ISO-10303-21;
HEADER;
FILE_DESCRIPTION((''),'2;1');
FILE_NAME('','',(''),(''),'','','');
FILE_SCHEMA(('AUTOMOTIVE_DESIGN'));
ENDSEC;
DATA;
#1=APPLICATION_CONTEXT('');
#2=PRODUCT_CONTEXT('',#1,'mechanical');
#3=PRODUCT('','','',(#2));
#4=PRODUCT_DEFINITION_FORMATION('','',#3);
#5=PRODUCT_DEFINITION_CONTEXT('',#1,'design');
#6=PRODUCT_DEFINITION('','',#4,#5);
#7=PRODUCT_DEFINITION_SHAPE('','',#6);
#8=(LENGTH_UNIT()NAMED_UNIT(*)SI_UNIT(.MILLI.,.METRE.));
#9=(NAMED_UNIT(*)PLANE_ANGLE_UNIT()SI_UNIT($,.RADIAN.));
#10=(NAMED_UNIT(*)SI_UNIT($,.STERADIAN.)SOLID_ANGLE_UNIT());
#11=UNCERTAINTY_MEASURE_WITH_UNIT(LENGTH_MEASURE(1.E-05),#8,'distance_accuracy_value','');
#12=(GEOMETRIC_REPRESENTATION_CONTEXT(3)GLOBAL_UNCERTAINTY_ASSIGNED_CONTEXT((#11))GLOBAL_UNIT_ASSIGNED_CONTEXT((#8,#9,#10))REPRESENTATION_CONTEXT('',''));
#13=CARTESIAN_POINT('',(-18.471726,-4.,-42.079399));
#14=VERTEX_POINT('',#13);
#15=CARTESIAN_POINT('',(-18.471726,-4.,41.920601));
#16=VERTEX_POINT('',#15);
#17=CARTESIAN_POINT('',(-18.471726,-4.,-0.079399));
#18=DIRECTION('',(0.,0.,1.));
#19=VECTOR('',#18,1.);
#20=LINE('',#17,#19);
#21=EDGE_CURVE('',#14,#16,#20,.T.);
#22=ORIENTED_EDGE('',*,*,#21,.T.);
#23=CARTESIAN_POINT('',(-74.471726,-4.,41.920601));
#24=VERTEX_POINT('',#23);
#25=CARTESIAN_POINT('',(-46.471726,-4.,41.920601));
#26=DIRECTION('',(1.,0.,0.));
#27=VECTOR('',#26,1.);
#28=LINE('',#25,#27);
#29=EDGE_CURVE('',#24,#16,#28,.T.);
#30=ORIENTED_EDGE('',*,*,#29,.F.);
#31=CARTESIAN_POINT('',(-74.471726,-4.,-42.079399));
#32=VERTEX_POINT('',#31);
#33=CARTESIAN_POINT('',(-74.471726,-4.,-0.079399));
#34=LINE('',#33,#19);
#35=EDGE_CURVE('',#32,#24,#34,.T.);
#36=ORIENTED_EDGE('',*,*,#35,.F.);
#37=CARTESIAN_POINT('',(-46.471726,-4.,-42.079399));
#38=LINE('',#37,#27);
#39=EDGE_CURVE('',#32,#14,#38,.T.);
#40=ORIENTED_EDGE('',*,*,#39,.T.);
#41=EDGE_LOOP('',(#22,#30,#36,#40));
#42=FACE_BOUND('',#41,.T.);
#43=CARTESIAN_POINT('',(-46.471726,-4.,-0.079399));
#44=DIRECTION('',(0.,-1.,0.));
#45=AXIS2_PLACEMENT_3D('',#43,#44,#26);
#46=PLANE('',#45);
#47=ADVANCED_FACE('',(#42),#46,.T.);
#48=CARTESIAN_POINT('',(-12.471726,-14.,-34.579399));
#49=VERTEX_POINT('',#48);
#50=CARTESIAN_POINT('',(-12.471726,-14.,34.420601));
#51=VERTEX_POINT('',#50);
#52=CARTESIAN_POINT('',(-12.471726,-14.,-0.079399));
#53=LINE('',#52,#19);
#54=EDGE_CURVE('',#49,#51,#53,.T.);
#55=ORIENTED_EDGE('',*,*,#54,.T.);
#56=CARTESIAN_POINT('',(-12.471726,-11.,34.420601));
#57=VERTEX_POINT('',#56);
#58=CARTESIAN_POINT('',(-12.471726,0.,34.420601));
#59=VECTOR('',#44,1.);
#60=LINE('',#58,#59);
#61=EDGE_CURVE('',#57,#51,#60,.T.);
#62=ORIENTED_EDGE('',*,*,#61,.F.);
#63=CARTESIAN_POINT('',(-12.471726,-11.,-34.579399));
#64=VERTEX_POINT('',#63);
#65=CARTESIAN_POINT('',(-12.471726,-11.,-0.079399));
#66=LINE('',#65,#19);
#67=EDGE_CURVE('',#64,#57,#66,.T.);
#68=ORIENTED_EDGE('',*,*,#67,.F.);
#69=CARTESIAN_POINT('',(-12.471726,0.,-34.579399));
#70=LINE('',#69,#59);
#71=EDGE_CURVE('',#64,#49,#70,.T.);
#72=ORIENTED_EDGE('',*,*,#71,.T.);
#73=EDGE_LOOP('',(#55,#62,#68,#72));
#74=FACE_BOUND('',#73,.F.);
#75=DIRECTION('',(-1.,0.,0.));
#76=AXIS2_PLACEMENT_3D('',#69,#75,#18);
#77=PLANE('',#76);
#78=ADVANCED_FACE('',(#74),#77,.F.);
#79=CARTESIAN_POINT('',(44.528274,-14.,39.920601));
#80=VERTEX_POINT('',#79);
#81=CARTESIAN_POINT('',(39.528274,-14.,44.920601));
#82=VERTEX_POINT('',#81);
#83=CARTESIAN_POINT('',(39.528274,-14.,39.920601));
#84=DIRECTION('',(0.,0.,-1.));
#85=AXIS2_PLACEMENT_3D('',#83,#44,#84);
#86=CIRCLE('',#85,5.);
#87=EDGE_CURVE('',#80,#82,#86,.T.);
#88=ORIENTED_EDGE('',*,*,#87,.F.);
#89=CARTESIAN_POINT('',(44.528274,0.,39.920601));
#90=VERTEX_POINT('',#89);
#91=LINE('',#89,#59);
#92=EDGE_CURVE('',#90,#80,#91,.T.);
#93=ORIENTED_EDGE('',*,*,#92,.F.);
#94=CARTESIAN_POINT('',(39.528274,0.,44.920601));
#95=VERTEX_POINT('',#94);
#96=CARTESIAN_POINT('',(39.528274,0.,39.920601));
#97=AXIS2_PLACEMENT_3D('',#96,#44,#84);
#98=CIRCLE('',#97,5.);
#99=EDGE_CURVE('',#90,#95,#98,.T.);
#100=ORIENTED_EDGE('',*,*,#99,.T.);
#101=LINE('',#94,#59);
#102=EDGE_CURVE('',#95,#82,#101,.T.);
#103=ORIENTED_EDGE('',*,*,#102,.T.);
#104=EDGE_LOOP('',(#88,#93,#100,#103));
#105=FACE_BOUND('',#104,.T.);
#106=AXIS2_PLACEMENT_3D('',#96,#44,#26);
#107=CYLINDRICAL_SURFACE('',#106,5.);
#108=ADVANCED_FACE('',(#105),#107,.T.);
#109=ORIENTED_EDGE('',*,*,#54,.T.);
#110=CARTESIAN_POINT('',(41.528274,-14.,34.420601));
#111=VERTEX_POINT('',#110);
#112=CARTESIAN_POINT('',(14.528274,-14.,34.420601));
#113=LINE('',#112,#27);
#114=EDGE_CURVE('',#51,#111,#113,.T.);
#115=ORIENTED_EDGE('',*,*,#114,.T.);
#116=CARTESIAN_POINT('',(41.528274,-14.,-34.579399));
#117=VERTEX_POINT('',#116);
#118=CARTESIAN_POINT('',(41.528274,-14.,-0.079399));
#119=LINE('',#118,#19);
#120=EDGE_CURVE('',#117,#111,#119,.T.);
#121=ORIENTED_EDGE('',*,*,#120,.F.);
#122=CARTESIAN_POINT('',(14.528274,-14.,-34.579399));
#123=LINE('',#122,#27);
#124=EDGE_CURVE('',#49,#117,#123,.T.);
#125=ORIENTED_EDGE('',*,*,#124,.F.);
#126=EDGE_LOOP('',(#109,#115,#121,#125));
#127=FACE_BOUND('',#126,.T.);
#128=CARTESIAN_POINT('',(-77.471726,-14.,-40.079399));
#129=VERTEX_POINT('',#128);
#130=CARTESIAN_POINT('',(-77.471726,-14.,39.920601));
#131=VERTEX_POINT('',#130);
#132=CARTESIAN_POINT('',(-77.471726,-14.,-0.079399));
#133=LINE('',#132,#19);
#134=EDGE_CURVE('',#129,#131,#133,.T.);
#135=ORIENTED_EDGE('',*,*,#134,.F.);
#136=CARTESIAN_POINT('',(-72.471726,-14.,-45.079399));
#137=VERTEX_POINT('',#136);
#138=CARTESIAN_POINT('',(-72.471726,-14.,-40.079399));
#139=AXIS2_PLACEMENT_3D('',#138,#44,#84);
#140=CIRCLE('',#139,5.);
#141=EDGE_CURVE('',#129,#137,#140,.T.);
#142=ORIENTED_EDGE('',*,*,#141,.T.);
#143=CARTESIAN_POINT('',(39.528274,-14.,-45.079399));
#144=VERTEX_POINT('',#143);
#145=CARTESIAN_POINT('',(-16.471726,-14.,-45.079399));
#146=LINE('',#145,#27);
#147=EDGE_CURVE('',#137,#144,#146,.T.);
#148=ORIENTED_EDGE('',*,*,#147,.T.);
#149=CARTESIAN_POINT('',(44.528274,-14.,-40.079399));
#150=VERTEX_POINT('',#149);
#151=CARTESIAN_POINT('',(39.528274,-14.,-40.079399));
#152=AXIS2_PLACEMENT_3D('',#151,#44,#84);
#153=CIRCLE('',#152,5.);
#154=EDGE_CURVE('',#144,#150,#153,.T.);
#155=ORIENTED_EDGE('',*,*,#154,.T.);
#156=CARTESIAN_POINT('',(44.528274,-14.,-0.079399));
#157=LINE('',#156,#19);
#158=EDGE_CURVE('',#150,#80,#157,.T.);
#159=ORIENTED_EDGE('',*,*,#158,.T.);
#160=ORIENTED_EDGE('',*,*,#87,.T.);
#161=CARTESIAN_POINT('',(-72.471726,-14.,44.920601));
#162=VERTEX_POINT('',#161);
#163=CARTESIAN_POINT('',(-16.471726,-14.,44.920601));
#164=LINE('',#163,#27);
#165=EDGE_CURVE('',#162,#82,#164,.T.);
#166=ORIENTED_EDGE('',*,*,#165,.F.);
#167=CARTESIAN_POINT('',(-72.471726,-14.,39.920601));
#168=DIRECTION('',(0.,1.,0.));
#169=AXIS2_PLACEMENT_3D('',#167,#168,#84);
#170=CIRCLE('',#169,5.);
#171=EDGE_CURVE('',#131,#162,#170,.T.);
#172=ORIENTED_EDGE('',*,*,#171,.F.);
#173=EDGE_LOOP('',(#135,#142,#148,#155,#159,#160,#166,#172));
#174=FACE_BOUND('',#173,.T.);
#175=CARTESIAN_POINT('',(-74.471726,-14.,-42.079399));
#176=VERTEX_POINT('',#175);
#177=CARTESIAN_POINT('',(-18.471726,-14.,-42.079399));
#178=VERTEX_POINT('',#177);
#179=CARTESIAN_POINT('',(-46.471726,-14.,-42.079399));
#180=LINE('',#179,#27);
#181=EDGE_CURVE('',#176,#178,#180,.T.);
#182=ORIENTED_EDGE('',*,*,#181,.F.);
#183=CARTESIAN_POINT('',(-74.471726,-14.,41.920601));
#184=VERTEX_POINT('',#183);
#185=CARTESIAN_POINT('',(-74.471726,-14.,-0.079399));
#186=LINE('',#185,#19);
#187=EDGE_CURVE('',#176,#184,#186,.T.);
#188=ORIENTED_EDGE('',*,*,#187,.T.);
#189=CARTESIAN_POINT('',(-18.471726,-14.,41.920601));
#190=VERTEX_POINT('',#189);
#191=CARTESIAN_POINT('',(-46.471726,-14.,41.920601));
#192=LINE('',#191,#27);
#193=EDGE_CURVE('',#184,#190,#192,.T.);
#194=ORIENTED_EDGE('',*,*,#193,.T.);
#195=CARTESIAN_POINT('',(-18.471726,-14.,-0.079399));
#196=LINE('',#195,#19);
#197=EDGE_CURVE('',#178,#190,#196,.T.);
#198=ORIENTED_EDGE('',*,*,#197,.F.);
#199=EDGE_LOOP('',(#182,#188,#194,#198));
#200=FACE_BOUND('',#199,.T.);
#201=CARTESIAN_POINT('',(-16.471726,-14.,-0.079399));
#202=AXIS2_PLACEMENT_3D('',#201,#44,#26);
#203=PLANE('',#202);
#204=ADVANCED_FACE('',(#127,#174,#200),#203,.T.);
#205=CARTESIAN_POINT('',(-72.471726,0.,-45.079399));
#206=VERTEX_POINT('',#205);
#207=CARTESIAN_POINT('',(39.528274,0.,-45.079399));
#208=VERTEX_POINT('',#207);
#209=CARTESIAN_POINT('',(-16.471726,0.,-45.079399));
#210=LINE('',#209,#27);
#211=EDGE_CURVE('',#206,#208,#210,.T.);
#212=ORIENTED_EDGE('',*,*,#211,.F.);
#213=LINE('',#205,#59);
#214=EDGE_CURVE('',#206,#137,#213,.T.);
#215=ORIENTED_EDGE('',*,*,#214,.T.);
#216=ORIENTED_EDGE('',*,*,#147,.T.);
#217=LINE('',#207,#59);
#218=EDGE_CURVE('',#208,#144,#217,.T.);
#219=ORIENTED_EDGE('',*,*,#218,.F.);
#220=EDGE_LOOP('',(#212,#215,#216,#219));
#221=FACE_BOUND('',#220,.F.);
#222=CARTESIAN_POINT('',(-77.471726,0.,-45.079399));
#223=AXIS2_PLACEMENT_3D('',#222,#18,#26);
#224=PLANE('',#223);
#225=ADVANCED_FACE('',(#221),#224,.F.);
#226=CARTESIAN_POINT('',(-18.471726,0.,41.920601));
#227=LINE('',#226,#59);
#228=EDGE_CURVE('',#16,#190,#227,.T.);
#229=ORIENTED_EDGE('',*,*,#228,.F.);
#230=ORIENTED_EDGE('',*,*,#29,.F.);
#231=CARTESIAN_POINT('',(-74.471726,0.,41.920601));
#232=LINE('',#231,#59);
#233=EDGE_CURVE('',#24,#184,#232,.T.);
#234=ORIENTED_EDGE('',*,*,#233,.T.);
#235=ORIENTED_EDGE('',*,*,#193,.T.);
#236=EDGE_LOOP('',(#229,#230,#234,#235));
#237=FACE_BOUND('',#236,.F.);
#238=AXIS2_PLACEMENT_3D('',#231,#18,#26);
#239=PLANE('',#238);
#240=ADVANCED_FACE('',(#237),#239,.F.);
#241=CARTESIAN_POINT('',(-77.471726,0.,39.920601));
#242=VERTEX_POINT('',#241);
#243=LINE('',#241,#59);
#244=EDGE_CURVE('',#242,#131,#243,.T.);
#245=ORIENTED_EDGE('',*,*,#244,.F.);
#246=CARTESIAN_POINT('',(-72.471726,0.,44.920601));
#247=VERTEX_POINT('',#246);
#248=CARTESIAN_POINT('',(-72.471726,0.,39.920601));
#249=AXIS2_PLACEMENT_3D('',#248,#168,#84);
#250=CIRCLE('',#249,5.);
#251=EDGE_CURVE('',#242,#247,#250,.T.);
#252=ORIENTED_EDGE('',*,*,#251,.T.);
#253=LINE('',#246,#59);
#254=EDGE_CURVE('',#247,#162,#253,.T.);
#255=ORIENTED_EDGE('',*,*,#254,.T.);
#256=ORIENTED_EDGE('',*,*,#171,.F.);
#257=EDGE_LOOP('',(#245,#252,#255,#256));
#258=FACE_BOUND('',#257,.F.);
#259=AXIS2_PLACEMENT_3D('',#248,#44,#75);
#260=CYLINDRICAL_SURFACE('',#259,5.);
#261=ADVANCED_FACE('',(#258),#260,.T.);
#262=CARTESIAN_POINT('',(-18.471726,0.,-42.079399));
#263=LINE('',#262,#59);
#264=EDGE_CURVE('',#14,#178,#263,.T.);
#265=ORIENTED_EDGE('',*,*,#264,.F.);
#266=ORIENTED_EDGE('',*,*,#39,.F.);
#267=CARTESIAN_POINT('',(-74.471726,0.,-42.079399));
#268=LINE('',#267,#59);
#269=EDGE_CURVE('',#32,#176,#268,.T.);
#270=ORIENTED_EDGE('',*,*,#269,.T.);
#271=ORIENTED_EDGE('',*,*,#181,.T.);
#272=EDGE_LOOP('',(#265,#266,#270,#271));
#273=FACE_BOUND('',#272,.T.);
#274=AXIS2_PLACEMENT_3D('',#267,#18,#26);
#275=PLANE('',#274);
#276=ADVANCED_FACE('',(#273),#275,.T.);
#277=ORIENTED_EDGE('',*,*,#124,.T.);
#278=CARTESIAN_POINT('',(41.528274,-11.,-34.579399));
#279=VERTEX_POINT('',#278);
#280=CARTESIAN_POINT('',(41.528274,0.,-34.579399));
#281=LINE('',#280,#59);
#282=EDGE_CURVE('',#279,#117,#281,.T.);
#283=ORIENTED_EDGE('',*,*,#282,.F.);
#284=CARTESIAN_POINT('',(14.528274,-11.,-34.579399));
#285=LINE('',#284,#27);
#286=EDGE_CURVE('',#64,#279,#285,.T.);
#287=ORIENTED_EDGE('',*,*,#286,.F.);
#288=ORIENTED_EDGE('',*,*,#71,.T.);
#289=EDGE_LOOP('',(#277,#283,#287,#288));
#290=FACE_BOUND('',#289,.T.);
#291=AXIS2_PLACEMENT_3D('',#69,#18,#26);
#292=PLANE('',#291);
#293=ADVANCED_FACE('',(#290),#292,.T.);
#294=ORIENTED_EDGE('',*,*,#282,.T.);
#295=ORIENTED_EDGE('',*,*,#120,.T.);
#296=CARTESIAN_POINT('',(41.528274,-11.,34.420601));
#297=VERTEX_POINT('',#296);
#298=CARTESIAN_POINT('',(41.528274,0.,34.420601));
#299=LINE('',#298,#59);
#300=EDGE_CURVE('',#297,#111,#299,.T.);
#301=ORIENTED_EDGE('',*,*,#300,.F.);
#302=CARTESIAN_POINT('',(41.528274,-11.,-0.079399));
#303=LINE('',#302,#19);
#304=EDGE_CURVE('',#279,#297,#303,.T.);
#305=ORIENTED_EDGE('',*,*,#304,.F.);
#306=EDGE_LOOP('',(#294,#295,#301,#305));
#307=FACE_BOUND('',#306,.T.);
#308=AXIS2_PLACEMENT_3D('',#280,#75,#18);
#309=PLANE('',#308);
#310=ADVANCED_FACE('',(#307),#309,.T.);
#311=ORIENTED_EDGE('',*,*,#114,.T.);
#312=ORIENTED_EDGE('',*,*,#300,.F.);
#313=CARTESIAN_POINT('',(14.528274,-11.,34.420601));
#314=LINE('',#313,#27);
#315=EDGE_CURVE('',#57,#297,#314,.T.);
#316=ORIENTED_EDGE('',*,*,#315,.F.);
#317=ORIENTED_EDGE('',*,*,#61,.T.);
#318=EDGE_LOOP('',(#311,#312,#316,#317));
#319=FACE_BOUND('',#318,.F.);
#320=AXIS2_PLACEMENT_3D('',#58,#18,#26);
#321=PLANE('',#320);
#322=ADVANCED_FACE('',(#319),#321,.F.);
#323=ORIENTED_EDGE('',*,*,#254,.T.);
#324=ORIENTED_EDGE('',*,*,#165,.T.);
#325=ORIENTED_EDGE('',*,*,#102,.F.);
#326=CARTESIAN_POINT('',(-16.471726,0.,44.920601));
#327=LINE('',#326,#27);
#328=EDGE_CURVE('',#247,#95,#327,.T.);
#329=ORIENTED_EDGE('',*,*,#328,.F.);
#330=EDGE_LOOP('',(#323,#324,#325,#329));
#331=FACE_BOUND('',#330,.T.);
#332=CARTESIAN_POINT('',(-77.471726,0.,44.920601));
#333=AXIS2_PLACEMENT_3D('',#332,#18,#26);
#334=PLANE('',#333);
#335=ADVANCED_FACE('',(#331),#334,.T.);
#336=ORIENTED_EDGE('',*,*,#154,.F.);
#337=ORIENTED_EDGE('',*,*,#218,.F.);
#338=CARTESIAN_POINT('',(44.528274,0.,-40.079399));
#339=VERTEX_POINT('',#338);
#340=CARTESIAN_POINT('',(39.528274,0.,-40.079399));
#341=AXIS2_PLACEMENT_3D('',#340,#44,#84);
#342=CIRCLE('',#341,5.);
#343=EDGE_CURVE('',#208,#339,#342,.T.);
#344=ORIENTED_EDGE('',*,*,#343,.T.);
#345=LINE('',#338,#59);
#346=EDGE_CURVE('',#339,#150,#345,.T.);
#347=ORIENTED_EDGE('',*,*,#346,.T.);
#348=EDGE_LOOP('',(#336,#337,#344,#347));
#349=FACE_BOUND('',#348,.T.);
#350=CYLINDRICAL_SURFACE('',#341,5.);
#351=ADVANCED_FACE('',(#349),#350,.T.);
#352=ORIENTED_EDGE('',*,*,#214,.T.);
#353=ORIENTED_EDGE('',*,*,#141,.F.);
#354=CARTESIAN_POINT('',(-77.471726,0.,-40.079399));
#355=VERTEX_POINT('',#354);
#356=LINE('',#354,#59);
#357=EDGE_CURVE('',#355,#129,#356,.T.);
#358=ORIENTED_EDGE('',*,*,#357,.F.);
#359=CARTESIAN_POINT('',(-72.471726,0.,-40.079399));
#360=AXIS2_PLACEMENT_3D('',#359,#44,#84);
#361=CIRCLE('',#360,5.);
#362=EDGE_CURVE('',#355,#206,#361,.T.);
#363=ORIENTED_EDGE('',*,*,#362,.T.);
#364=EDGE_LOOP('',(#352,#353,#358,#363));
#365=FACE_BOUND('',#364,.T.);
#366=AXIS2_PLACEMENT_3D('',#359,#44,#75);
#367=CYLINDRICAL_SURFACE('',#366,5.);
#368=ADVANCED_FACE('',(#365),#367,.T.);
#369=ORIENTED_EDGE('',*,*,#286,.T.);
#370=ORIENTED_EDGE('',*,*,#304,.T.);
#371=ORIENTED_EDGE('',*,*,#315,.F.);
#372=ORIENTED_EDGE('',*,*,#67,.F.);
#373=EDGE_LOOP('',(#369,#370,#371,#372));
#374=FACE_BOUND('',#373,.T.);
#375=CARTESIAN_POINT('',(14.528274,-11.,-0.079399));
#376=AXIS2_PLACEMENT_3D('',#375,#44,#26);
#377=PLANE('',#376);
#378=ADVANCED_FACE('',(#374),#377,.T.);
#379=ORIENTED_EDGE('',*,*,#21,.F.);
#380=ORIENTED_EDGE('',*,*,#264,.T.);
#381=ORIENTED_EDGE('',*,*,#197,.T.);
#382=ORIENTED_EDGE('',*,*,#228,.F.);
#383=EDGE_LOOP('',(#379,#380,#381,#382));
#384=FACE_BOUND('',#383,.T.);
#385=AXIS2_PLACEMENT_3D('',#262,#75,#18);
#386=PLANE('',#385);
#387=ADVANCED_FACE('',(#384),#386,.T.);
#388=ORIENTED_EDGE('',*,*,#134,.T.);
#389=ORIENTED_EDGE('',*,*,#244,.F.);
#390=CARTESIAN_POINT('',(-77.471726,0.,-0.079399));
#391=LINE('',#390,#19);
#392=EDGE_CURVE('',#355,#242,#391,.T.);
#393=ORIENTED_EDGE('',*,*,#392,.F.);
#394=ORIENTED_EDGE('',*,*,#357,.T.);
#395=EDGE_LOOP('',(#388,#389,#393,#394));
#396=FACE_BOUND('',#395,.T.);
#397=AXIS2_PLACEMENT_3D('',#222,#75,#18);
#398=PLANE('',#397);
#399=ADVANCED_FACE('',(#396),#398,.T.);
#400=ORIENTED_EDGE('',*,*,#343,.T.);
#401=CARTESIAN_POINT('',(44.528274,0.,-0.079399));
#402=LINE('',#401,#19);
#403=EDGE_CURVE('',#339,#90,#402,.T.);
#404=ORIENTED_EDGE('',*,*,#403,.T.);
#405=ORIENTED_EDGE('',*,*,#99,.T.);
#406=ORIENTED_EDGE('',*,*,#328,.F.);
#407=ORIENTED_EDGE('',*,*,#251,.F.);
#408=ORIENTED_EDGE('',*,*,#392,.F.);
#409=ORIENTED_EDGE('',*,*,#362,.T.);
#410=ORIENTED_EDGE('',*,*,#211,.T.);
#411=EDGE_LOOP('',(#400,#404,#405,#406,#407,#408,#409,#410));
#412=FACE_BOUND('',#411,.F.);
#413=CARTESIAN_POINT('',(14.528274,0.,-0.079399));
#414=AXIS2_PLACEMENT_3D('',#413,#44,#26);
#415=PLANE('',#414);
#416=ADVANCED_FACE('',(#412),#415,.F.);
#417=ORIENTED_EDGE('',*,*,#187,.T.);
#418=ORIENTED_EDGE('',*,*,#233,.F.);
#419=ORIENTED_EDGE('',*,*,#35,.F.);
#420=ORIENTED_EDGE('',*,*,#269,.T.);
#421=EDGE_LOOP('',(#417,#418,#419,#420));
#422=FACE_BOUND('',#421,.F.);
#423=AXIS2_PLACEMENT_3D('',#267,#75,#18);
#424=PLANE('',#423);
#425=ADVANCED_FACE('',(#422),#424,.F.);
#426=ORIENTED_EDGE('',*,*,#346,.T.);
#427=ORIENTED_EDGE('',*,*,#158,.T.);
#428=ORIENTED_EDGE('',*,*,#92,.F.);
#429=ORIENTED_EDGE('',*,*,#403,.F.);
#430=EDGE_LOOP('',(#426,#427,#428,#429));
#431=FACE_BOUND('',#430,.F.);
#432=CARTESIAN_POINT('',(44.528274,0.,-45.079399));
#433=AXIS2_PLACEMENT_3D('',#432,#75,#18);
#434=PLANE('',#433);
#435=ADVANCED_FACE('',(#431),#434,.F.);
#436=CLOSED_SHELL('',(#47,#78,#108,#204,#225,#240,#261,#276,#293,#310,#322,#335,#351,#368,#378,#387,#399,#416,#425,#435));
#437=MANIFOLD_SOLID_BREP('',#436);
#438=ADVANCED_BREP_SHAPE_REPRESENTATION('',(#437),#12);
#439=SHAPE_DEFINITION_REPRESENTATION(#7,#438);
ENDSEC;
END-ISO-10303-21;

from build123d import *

# Parameters (mm, degrees)
F0_W     = 122
F0_H     = 90
F0_W_2   = 56
F0_H_2   = 84
F0_W_3   = 54
F0_H_3   = 69
F1_DEPTH = 14
F2_DEPTH = 4
F3_DEPTH = 11
F4_R     = 5


with BuildPart() as f1:
    # F0 (on Front) → F1 (new body)
    with BuildSketch(Plane.XZ):
        with Locations((-16.471726, -0.079399)):
            Rectangle(F0_W, F0_H)
        with Locations((-46.471726, -0.079399)):
            Rectangle(F0_W_2, F0_H_2, mode=Mode.SUBTRACT)
        with Locations((14.528274, -0.079399)):
            Rectangle(F0_W_3, F0_H_3, mode=Mode.SUBTRACT)
    extrude(amount=F1_DEPTH)

    # F0 (on Front) → F2 (join)
    with BuildSketch(Plane.XZ):
        with Locations((-46.471726, -0.079399)):
            Rectangle(F0_W_2, F0_H_2)
    extrude(amount=F2_DEPTH)

    # F0 (on Front) → F3 (join)
    with BuildSketch(Plane.XZ):
        with Locations((14.528274, -0.079399)):
            Rectangle(F0_W_3, F0_H_3)
    extrude(amount=F3_DEPTH)

    # F4
    f4_edges = [f1.edges().sort_by_distance(p)[0] for p in [
        (-77.471726, -7, -45.079399),
        (44.528274, -7, -45.079399),
        (44.528274, -7, 44.920601),
        (-77.471726, -7, 44.920601),
    ]]
    fillet(f4_edges, radius=F4_R)


solid = f1.part
